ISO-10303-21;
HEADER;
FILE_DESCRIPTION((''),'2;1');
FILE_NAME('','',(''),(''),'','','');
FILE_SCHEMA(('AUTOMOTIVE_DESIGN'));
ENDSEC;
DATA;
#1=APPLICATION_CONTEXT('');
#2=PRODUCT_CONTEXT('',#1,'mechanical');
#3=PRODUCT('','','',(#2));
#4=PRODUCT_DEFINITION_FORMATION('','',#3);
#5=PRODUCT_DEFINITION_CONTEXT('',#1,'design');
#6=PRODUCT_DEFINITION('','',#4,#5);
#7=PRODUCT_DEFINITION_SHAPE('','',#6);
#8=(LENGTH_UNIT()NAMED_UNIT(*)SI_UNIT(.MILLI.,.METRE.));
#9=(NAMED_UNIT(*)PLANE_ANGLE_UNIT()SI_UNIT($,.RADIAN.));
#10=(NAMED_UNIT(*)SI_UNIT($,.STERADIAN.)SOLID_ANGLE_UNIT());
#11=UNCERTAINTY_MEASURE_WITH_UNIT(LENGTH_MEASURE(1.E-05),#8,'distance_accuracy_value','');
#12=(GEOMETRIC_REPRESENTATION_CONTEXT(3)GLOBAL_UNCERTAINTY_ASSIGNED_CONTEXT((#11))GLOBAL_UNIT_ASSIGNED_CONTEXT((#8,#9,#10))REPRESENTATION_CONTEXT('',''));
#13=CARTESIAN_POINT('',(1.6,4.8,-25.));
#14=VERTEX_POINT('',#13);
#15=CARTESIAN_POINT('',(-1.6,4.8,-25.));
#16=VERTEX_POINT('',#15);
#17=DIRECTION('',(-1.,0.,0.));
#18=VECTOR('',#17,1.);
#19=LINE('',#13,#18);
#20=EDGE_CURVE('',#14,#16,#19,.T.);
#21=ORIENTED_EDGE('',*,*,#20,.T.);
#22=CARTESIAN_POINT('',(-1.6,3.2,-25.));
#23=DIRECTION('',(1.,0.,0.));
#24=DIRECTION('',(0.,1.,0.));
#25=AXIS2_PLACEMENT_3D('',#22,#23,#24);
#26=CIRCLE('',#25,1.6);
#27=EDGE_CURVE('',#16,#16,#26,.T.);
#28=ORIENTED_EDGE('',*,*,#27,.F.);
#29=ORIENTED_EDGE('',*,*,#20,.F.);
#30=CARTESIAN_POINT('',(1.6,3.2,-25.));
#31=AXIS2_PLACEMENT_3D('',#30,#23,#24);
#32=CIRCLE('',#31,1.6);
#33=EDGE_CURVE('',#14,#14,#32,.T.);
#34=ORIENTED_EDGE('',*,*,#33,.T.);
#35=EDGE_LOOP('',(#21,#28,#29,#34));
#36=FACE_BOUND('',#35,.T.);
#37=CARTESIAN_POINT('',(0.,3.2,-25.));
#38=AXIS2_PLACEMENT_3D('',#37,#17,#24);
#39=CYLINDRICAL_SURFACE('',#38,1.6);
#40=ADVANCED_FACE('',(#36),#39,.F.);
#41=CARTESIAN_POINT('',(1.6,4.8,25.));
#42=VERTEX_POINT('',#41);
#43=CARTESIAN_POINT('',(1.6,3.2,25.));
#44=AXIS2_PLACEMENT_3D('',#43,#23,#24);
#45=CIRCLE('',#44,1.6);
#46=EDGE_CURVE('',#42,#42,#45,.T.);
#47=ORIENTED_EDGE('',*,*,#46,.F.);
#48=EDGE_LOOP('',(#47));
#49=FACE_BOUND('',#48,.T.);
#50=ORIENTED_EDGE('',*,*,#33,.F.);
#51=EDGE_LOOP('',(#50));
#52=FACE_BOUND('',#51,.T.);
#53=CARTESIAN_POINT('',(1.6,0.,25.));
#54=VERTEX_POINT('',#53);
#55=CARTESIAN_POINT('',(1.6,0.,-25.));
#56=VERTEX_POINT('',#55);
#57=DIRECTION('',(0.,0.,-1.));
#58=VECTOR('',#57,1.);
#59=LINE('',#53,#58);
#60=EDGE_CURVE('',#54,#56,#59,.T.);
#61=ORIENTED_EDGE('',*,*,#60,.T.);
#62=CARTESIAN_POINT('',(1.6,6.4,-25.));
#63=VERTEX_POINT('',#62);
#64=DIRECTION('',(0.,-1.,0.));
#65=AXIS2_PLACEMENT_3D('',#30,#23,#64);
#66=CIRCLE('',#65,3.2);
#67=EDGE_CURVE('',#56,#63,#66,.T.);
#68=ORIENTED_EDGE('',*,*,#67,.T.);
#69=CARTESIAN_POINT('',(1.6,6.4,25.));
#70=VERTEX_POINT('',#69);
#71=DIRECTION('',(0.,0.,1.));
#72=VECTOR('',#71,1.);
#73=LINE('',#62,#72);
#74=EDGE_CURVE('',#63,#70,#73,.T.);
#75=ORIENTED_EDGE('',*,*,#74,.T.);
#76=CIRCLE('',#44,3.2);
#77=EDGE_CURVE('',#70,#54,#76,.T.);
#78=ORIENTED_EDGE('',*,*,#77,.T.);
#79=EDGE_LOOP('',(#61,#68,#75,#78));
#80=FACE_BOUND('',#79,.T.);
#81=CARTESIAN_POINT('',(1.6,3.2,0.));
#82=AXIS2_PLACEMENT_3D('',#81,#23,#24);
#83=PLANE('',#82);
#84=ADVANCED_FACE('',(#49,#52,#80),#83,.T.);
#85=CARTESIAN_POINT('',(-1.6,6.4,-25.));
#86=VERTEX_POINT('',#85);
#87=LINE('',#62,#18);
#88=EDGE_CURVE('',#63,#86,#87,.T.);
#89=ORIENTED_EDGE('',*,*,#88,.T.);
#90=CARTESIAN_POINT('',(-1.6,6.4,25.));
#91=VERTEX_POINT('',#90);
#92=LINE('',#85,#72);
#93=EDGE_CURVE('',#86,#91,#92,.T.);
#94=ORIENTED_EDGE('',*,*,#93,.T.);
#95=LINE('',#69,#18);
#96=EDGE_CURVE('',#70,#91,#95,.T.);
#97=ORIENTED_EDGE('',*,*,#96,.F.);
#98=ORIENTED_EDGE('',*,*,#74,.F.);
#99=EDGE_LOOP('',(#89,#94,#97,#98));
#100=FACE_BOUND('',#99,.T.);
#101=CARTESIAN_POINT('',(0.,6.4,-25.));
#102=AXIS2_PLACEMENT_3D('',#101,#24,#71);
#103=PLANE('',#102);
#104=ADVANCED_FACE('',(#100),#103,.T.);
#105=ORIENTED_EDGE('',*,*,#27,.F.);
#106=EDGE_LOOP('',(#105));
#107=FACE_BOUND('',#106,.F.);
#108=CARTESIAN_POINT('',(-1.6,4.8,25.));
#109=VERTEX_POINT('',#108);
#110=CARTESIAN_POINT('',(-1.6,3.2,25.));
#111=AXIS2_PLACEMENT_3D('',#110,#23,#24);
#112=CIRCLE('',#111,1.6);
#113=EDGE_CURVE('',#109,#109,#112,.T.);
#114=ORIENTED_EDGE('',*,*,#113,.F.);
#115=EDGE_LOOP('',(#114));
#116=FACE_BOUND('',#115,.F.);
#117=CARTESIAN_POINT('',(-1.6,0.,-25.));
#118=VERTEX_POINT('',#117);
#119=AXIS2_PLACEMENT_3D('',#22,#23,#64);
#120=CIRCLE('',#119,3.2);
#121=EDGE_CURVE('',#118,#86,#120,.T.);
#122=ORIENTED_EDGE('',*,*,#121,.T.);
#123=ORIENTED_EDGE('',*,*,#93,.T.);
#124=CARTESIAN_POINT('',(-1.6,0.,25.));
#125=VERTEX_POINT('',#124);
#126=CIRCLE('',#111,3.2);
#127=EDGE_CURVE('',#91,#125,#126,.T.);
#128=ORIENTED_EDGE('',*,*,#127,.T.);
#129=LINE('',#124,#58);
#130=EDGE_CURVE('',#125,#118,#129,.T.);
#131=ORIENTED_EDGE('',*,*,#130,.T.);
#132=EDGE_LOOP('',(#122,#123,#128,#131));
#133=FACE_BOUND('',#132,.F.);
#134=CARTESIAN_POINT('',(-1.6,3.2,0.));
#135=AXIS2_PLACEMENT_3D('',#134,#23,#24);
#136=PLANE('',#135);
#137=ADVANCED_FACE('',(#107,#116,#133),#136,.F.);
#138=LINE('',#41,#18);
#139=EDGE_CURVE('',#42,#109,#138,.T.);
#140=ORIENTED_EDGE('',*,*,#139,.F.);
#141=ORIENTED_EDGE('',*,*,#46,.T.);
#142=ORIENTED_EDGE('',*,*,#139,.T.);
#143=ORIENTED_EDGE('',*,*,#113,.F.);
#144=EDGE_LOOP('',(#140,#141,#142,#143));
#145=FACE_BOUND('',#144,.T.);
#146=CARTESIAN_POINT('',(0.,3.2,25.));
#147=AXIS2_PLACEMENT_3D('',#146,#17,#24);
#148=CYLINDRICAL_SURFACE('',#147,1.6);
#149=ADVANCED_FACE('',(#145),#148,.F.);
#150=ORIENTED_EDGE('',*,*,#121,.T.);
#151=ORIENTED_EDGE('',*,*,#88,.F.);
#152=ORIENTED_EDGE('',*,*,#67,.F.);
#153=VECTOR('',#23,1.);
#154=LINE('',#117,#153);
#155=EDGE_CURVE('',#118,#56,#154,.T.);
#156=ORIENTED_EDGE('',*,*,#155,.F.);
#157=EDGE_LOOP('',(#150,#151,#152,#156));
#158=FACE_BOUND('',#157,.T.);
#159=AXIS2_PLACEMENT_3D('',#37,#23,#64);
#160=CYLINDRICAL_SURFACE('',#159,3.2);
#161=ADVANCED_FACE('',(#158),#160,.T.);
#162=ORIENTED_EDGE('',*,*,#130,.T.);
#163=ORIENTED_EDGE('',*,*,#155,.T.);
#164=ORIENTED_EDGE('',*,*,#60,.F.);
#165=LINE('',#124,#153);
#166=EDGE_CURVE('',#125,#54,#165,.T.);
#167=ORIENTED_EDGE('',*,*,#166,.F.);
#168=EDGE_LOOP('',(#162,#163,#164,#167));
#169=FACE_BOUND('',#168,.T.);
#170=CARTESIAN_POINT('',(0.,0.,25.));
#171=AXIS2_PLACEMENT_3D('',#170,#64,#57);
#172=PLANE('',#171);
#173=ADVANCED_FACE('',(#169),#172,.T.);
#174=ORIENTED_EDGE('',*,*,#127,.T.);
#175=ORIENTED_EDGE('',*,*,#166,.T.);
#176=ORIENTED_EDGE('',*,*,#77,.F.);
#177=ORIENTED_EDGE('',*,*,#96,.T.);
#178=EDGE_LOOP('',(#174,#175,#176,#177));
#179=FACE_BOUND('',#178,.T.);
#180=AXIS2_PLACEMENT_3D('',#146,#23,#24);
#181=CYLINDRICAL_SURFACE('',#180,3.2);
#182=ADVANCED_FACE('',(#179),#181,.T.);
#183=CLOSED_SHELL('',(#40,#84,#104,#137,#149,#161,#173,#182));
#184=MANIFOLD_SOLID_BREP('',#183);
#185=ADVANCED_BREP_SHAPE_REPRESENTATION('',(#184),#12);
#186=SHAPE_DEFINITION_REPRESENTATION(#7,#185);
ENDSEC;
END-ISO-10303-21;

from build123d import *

# Parameters (mm, degrees)
F0_R     = 1.6
F1_DEPTH = 1.6


with BuildPart() as f1:
    # F0 (on Right) → F1 (new body, symmetric)
    with BuildSketch(Plane.YZ):
        with BuildLine():
            ThreePointArc((6.4, 25), (3.2, 28.2), (0, 25))
            Line((0, 25), (0, -25))
            ThreePointArc((0, -25), (3.2, -28.2), (6.4, -25))
            Line((6.4, -25), (6.4, 25))
        make_face()
        with Locations((3.2, -25)):
            Circle(F0_R, mode=Mode.SUBTRACT)
        with Locations((3.2, 25)):
            Circle(F0_R, mode=Mode.SUBTRACT)
    extrude(amount=F1_DEPTH, both=True)


solid = f1.part
